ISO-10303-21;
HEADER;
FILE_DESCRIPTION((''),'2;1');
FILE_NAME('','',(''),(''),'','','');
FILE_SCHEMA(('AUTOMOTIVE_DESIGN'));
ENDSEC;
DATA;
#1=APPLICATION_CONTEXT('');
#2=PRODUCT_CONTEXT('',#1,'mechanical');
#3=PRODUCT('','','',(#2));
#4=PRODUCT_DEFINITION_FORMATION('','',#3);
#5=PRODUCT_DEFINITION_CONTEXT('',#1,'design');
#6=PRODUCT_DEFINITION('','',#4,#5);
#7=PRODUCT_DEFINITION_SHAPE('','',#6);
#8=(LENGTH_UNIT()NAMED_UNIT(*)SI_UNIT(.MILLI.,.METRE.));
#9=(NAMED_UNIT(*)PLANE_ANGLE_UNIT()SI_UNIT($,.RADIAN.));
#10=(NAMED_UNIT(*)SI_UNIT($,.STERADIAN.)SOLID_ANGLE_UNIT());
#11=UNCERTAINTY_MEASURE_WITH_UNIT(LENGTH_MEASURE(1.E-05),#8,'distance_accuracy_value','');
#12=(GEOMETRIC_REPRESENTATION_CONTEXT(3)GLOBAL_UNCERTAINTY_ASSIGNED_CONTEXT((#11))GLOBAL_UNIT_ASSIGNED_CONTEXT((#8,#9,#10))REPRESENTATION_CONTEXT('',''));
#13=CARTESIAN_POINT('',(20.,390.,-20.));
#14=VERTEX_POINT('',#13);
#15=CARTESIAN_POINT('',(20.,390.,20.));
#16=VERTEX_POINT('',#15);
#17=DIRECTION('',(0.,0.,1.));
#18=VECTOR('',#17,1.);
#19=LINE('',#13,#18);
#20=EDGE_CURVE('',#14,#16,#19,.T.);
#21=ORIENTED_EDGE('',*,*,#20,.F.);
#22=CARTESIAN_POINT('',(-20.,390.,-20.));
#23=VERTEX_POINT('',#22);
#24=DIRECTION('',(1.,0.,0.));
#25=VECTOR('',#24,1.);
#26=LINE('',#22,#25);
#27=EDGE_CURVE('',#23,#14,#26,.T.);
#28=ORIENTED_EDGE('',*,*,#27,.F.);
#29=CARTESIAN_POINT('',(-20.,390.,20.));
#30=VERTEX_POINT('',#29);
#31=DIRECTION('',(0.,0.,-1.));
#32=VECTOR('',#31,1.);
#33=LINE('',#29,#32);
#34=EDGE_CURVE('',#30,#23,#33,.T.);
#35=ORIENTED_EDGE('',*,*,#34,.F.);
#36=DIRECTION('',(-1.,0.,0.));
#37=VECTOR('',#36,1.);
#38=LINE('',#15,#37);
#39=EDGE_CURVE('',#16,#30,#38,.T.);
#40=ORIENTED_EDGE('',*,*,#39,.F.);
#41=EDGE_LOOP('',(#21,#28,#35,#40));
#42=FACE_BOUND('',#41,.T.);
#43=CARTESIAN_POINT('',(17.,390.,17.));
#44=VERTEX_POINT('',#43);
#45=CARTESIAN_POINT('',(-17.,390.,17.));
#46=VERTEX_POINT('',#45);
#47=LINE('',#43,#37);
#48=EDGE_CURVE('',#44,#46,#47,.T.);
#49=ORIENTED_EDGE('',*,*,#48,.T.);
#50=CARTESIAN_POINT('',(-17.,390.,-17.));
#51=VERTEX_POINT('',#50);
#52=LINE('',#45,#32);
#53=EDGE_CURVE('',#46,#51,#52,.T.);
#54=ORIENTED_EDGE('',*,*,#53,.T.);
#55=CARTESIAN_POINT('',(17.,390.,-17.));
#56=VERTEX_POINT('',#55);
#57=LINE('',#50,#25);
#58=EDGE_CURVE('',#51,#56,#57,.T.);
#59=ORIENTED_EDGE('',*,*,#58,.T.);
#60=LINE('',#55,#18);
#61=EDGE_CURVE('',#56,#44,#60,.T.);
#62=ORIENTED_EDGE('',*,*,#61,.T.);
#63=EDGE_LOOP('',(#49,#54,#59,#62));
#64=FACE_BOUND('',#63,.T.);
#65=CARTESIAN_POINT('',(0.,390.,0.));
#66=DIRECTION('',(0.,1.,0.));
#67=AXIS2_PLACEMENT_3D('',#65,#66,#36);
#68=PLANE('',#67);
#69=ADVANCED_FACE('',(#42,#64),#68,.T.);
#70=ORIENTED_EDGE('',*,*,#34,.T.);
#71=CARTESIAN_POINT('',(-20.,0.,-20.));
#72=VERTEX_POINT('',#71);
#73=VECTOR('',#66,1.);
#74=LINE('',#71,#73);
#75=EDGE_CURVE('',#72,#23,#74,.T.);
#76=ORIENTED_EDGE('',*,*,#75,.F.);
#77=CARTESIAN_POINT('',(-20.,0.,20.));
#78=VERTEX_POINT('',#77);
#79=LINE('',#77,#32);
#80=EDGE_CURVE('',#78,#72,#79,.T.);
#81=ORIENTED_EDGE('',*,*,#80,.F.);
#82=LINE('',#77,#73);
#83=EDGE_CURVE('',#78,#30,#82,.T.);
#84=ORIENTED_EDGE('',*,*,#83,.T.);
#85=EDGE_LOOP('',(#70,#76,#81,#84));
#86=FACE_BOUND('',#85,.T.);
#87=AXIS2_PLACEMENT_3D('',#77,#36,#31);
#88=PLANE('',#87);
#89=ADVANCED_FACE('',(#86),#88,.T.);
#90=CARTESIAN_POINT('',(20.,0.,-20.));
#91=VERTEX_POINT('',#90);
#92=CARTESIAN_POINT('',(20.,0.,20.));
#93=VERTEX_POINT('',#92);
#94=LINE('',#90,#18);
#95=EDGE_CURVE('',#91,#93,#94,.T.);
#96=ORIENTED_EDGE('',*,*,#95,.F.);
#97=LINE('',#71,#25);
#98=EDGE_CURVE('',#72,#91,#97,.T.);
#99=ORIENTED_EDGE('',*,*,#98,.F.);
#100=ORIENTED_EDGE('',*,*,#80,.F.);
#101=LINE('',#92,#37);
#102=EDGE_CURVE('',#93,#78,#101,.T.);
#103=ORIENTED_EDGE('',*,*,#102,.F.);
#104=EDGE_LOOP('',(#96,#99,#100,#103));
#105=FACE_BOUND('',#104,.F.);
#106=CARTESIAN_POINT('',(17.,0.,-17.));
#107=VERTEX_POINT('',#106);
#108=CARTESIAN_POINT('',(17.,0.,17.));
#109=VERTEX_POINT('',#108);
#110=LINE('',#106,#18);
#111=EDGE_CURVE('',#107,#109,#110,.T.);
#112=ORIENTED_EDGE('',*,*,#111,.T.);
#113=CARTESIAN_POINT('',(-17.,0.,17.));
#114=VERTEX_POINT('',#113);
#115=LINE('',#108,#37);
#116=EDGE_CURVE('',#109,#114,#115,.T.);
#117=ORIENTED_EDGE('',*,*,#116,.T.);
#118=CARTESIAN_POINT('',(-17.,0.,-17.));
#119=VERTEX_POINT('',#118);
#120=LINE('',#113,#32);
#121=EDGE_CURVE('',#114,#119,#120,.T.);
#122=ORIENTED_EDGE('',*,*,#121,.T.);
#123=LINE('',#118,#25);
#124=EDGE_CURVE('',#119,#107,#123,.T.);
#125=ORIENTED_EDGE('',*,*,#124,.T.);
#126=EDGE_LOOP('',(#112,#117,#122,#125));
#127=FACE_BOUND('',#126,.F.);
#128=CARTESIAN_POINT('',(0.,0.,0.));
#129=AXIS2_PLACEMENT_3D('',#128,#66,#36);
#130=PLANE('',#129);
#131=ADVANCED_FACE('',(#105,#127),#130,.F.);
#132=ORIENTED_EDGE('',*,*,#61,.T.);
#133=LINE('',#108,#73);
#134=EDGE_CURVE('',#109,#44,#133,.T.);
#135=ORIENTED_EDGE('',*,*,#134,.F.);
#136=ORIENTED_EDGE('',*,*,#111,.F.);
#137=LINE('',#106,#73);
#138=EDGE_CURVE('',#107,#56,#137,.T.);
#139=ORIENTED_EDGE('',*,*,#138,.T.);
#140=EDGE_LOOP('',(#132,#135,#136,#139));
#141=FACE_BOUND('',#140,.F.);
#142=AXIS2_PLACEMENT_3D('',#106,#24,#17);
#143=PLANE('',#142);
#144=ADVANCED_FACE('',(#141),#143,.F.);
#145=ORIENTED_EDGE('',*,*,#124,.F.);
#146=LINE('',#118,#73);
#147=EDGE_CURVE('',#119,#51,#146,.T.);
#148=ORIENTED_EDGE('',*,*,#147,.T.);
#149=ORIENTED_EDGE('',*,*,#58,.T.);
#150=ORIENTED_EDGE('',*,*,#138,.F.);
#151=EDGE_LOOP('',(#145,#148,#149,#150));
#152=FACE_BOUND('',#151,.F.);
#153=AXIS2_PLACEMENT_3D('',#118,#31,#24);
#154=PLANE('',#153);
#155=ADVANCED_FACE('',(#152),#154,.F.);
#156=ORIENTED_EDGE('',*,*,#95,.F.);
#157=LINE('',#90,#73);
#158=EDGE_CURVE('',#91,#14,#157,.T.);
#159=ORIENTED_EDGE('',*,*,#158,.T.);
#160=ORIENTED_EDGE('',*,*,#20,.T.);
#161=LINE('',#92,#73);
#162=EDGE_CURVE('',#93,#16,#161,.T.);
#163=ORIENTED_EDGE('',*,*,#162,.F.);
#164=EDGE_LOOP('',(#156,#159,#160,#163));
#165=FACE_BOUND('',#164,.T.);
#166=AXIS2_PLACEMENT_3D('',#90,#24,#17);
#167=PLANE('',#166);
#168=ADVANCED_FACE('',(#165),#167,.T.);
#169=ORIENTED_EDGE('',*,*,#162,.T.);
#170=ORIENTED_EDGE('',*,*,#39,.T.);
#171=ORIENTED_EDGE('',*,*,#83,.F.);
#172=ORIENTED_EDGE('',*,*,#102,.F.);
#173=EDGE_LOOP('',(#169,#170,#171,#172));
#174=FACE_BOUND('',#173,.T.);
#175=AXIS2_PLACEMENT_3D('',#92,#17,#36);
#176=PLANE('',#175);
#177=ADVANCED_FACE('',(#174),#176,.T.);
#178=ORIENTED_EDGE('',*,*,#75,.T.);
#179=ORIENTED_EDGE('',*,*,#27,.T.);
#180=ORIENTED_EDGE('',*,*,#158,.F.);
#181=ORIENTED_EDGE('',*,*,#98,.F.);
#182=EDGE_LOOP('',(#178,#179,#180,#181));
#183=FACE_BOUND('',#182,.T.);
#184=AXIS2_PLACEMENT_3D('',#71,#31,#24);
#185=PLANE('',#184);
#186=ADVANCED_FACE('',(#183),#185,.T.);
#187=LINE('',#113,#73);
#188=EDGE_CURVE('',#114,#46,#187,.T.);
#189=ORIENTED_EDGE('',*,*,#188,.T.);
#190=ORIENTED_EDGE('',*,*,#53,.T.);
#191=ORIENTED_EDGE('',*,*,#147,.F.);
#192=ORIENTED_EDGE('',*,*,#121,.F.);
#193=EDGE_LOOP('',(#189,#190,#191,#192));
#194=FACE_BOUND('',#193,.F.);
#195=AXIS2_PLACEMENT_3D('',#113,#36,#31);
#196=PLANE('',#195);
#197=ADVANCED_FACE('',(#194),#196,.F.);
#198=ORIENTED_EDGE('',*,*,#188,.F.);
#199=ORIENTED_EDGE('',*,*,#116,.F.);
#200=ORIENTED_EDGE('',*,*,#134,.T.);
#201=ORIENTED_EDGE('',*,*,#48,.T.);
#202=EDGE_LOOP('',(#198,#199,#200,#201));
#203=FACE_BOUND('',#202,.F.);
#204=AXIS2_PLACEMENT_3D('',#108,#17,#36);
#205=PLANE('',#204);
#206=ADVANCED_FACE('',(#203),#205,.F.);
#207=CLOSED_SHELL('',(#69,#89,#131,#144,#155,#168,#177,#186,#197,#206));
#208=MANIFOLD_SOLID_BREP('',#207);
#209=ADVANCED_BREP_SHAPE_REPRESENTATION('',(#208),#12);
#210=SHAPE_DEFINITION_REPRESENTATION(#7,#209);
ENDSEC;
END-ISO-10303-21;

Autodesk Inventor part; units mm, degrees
ref_plane "YZ Plane" through (0, 0, 0) normal (1, 0, 0) x (0, 1, 0)
ref_plane "XZ Plane" through (0, 0, 0) normal (0, 1, 0) x (-1, 0, 0)
ref_plane "XY Plane" through (0, 0, 0) normal (0, 0, 1) x (1, 0, 0)
sketch "Sketch1" plane through (0, 0, 0) normal (0, 1, 0) x (-1, 0, 0)
  line L0 (-20, 20) -> (20, 20)
  line L1 (20, 20) -> (20, -20)
  line L2 (20, -20) -> (-20, -20)
  line L3 (-20, -20) -> (-20, 20)
  line L4 (-20, 20) -> (20, -20) construction
  line L5 (20, 20) -> (-20, -20) construction
  line L6 (-17, 17) -> (17, 17)
  line L7 (17, 17) -> (17, -17)
  line L8 (17, -17) -> (-17, -17)
  line L9 (-17, -17) -> (-17, 17)
  line L10 (-17, 17) -> (17, -17) construction
  line L11 (17, 17) -> (-17, -17) construction
  point P0 (0, 0)
  dimension "d0" = 40
  dimension "d1" = 40
  dimension "d2" = 34
  dimension "d3" = 34
  dimension "d4" = 3
extrude "Extrusion1" add sketch "Sketch1" along normal blind 390
sketch "Sketch2" plane through (20, 0, 20) normal (1, 0, 0) x (0, 0, -1)
  point P0 (20, 0)
properties part number "Tube 40 cm"
